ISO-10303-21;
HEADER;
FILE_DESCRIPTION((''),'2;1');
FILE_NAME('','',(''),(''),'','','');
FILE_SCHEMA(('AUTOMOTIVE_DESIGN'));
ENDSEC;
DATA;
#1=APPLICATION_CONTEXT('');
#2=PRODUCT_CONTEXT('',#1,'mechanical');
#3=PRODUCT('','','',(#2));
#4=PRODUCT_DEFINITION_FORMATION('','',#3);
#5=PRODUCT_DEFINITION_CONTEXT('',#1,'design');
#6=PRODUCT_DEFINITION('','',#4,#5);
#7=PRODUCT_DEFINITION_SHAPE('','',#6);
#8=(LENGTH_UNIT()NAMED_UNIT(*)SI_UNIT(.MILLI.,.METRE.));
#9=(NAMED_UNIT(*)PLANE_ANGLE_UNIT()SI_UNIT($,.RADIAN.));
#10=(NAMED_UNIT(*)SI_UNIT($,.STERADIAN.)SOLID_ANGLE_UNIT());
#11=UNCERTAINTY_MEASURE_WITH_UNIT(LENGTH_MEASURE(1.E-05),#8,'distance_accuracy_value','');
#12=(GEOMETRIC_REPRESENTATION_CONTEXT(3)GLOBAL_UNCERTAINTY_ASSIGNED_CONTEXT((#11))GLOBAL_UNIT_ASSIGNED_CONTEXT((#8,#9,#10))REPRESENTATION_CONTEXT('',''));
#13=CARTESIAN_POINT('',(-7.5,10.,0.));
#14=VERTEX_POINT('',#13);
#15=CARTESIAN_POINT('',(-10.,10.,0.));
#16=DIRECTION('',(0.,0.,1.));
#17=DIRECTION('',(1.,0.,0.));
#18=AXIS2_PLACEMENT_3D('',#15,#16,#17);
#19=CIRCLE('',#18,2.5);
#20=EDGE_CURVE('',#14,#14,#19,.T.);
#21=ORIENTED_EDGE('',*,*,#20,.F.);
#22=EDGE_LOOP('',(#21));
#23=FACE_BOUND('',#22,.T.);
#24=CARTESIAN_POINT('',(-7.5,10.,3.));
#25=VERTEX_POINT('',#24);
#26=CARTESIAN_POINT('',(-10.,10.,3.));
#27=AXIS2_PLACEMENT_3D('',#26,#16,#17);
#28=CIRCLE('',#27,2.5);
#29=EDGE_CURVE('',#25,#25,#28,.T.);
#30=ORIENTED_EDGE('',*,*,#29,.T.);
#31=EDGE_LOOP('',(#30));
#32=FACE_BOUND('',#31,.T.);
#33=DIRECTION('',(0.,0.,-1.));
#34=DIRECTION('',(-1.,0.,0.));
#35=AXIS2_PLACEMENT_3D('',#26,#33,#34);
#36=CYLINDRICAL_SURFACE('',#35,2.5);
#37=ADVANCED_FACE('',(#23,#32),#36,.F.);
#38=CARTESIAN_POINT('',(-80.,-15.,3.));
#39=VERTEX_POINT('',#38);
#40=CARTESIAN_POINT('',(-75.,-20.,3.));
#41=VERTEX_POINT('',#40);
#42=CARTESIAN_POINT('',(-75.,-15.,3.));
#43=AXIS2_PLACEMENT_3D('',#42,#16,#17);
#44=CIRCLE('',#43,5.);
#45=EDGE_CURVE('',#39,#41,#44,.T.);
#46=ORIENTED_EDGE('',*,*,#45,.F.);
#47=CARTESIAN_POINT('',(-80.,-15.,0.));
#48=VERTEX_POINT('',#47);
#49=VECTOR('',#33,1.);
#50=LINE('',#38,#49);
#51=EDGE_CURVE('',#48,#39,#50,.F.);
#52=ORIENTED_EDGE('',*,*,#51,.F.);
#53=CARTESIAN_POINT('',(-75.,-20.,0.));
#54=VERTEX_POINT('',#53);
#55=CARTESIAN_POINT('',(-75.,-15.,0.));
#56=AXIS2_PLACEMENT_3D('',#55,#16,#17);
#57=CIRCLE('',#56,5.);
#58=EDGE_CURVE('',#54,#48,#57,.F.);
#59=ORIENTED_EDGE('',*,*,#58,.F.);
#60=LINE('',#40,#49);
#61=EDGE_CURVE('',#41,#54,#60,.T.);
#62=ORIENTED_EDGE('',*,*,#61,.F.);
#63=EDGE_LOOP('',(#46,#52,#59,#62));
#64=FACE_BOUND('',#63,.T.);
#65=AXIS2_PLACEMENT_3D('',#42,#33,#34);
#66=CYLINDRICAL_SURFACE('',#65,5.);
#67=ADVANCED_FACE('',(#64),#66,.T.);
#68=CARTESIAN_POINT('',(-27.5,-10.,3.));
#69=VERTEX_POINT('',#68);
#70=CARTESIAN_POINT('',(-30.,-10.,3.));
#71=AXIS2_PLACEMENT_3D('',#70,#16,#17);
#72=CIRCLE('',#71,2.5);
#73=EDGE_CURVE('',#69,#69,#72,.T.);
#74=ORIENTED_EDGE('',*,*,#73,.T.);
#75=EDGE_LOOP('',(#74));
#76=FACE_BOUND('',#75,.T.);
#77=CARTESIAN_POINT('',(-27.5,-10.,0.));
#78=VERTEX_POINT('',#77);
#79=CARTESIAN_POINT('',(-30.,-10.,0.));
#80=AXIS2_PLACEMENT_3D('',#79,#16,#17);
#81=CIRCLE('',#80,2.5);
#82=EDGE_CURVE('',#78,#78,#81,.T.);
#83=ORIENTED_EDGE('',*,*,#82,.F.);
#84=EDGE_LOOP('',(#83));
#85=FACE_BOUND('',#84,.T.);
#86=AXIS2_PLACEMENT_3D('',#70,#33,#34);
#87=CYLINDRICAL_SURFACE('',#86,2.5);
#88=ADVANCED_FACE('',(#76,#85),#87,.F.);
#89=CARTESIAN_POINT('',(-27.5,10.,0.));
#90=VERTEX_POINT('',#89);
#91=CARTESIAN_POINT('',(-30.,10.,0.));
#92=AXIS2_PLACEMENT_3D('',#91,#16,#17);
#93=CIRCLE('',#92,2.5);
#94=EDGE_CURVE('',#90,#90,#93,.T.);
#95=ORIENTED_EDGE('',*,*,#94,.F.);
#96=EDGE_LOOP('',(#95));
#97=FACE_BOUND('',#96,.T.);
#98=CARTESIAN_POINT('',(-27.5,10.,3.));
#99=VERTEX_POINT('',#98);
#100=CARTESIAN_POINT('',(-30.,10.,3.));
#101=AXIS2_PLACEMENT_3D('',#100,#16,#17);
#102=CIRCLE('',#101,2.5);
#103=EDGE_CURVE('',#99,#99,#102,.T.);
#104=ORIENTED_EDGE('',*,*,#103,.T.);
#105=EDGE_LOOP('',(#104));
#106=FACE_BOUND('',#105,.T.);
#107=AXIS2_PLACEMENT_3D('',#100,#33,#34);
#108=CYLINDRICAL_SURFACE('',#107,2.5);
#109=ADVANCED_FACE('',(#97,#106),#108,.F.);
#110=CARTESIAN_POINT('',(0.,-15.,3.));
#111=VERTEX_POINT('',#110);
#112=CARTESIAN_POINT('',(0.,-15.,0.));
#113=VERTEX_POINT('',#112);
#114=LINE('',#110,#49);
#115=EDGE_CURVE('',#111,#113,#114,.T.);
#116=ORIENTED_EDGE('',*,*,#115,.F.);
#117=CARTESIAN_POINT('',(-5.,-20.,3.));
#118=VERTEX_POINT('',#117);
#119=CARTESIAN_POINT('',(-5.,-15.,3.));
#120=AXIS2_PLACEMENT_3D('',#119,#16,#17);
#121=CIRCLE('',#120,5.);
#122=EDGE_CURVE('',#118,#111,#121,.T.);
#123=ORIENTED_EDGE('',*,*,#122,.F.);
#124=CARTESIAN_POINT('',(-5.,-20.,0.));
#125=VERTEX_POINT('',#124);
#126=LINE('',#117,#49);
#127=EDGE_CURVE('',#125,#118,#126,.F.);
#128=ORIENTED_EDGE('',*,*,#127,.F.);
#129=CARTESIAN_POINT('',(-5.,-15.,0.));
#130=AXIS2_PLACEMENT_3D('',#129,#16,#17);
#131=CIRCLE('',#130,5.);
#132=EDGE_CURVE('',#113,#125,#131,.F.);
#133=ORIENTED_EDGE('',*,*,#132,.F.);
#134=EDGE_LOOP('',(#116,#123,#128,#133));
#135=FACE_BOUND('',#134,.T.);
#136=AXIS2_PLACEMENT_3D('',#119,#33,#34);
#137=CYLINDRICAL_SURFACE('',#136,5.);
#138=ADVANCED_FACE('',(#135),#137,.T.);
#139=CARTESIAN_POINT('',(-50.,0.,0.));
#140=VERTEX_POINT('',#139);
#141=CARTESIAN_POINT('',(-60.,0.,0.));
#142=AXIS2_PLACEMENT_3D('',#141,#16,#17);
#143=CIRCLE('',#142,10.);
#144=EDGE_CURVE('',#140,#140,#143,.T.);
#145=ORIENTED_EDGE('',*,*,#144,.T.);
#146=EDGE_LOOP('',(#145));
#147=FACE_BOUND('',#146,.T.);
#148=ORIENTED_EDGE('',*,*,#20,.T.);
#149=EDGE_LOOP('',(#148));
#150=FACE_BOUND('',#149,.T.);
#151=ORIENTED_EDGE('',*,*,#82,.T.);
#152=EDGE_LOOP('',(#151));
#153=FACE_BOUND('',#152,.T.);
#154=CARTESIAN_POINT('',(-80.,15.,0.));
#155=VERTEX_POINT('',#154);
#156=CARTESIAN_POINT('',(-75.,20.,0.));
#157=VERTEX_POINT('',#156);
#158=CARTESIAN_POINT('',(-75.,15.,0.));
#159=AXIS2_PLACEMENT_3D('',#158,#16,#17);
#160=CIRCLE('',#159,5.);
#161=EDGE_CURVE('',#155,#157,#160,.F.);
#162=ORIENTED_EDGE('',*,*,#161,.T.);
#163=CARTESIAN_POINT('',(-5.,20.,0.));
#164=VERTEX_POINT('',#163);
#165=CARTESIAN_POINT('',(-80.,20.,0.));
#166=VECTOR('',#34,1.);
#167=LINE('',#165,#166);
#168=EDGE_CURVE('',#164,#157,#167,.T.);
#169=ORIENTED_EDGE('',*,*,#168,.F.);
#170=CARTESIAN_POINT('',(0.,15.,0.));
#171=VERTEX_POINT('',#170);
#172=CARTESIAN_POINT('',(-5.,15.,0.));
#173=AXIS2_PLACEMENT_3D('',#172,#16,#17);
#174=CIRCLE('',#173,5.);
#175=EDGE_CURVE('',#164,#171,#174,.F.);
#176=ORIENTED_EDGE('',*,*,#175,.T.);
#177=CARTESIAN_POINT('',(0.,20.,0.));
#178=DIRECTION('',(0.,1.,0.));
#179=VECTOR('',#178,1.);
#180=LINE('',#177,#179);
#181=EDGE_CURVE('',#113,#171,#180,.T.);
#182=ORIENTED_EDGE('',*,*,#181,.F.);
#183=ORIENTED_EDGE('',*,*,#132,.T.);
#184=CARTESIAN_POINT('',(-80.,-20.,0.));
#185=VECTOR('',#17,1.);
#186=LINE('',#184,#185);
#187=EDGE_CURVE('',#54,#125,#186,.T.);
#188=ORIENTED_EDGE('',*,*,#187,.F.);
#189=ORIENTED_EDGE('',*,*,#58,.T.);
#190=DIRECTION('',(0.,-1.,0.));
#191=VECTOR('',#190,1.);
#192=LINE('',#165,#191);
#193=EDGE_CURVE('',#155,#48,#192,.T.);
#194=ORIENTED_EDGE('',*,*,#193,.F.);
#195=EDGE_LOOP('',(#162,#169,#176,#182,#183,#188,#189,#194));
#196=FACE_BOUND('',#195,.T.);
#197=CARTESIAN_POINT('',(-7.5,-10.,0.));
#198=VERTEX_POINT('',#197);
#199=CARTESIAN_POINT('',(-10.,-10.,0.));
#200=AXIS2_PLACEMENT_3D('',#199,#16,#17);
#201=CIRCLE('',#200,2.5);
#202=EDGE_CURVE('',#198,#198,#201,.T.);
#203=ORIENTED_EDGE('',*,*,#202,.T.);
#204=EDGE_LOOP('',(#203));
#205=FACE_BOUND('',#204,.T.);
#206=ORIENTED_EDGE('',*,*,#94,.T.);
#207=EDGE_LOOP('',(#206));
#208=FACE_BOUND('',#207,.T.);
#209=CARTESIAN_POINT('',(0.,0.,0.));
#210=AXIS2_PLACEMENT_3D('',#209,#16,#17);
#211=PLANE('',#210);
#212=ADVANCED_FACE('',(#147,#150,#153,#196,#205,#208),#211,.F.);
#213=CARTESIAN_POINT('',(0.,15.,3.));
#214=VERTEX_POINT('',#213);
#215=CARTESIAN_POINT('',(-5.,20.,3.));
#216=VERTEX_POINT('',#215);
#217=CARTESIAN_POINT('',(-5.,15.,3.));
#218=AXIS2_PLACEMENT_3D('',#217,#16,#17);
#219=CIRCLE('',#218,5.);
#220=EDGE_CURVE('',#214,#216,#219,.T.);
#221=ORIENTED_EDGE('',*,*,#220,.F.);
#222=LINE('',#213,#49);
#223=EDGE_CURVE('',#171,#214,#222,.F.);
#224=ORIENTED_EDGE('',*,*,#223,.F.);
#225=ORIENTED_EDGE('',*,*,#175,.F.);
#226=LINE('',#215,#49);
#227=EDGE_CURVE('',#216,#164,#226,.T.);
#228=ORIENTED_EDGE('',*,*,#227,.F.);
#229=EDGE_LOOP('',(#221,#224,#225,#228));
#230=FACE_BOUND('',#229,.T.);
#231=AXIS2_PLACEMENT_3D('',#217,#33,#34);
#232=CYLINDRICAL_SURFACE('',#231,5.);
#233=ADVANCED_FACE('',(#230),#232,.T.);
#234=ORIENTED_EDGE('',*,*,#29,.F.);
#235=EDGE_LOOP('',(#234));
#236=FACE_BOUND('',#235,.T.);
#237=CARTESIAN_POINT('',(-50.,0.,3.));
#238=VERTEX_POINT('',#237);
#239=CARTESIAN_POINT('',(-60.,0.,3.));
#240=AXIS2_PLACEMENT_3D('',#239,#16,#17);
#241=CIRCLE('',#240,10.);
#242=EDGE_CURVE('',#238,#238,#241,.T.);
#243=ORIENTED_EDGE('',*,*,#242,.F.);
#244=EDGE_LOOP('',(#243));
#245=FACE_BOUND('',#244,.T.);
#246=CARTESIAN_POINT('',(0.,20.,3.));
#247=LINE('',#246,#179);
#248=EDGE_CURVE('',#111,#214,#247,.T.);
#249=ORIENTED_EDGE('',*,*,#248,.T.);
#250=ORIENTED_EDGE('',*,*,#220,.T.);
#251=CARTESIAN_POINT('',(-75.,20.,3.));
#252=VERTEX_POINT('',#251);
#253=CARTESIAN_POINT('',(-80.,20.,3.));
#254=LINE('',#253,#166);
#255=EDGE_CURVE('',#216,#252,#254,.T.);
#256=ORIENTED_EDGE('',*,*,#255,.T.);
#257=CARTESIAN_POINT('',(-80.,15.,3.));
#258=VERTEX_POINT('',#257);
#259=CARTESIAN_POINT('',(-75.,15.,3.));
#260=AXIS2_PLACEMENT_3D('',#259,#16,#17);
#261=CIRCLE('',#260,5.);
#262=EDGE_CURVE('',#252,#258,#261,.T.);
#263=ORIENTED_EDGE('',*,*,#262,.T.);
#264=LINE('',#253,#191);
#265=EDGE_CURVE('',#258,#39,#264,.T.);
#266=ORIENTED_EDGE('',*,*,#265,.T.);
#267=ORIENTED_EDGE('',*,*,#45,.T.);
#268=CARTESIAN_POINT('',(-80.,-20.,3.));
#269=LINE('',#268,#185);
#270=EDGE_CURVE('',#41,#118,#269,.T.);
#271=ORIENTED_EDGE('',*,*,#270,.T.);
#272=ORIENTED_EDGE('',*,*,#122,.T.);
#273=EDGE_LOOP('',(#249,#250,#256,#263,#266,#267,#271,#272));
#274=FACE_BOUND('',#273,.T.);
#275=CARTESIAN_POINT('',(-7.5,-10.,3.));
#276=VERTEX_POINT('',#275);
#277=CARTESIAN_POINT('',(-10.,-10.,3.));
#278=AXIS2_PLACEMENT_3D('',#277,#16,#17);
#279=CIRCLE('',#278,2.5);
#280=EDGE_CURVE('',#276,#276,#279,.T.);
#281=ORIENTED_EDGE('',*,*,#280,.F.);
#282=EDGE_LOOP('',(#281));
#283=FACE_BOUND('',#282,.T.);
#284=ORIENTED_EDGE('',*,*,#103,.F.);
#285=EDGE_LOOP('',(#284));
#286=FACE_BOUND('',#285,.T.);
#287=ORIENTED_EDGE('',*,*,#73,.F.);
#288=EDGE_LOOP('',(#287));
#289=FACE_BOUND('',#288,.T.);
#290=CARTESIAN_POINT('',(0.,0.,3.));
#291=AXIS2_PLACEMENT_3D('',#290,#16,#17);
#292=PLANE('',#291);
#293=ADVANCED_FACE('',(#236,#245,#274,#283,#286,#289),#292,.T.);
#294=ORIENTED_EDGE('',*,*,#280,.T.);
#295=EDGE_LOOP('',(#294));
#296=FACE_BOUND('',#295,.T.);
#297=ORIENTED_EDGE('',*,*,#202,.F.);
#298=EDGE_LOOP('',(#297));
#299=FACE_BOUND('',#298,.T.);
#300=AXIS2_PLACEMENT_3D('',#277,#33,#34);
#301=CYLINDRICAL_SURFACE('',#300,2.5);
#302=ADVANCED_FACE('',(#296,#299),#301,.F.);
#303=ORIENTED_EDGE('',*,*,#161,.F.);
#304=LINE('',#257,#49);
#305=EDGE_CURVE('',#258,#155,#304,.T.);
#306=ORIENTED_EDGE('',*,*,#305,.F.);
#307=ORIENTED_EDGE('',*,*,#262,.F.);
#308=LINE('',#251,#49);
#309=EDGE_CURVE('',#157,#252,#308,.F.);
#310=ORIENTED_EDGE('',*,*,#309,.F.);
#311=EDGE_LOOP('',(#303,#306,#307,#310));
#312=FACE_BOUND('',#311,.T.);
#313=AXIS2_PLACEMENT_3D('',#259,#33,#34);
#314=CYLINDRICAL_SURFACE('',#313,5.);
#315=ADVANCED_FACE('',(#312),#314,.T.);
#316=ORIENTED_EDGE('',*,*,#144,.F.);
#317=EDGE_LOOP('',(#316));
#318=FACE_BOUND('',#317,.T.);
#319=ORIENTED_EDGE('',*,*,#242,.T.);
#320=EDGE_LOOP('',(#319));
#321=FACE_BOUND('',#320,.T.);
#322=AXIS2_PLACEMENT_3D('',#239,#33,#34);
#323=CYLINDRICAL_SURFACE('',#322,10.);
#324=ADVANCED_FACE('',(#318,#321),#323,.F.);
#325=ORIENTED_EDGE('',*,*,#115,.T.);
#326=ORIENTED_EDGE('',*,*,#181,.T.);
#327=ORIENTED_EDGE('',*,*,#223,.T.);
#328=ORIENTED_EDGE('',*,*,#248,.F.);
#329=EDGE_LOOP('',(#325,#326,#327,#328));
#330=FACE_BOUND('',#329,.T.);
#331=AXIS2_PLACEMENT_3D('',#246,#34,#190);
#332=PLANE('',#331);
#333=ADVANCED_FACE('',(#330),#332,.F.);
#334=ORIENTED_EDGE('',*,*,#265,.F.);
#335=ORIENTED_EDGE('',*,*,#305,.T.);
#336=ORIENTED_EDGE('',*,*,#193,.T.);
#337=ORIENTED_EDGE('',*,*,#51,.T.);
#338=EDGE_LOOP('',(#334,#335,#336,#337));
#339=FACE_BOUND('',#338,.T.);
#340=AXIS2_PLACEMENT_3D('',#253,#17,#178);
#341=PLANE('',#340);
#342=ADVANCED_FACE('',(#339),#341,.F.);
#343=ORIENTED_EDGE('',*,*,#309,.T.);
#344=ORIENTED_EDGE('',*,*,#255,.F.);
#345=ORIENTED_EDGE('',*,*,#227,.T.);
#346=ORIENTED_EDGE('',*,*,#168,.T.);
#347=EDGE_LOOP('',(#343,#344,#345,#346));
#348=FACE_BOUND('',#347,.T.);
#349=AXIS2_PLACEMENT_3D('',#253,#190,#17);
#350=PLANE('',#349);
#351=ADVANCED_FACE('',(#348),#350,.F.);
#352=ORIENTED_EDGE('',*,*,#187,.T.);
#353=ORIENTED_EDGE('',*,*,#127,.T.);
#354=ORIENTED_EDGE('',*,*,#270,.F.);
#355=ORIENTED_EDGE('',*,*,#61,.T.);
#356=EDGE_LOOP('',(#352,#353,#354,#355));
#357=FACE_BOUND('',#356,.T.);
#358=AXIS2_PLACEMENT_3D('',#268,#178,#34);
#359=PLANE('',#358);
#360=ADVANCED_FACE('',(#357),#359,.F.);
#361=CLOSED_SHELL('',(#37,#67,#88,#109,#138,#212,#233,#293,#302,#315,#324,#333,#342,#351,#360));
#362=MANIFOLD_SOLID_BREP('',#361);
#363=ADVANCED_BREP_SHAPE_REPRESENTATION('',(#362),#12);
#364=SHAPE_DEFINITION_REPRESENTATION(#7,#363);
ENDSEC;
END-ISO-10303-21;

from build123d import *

# Parameters (mm, degrees)
SKETCH1_W           = 80
SKETCH1_H           = 40
SKETCH1_R           = 10
SKETCH1_R_2         = 2.5
BOSS_EXTRUDE1_DEPTH = 3
FILLET1_R           = 5


with BuildPart() as part:
    # Sketch1 → Boss-Extrude1 (new body)
    with BuildSketch(Plane.XY):
        with Locations((-40, 0)):
            Rectangle(SKETCH1_W, SKETCH1_H)
        with Locations((-60, 0)):
            Circle(SKETCH1_R, mode=Mode.SUBTRACT)
        with Locations((-10, 10)):
            Circle(SKETCH1_R_2, mode=Mode.SUBTRACT)
        with Locations((-10, -10)):
            Circle(SKETCH1_R_2, mode=Mode.SUBTRACT)
        with Locations((-30, -10)):
            Circle(SKETCH1_R_2, mode=Mode.SUBTRACT)
        with Locations((-30, 10)):
            Circle(SKETCH1_R_2, mode=Mode.SUBTRACT)
    extrude(amount=BOSS_EXTRUDE1_DEPTH)

    # Fillet1
    fillet1_edges = [part.edges().sort_by_distance(p)[0] for p in [
        (-80, 20, 1.5),
        (0, 20, 1.5),
        (0, -20, 1.5),
        (-80, -20, 1.5),
    ]]
    fillet(fillet1_edges, radius=FILLET1_R)


solid = part.part
